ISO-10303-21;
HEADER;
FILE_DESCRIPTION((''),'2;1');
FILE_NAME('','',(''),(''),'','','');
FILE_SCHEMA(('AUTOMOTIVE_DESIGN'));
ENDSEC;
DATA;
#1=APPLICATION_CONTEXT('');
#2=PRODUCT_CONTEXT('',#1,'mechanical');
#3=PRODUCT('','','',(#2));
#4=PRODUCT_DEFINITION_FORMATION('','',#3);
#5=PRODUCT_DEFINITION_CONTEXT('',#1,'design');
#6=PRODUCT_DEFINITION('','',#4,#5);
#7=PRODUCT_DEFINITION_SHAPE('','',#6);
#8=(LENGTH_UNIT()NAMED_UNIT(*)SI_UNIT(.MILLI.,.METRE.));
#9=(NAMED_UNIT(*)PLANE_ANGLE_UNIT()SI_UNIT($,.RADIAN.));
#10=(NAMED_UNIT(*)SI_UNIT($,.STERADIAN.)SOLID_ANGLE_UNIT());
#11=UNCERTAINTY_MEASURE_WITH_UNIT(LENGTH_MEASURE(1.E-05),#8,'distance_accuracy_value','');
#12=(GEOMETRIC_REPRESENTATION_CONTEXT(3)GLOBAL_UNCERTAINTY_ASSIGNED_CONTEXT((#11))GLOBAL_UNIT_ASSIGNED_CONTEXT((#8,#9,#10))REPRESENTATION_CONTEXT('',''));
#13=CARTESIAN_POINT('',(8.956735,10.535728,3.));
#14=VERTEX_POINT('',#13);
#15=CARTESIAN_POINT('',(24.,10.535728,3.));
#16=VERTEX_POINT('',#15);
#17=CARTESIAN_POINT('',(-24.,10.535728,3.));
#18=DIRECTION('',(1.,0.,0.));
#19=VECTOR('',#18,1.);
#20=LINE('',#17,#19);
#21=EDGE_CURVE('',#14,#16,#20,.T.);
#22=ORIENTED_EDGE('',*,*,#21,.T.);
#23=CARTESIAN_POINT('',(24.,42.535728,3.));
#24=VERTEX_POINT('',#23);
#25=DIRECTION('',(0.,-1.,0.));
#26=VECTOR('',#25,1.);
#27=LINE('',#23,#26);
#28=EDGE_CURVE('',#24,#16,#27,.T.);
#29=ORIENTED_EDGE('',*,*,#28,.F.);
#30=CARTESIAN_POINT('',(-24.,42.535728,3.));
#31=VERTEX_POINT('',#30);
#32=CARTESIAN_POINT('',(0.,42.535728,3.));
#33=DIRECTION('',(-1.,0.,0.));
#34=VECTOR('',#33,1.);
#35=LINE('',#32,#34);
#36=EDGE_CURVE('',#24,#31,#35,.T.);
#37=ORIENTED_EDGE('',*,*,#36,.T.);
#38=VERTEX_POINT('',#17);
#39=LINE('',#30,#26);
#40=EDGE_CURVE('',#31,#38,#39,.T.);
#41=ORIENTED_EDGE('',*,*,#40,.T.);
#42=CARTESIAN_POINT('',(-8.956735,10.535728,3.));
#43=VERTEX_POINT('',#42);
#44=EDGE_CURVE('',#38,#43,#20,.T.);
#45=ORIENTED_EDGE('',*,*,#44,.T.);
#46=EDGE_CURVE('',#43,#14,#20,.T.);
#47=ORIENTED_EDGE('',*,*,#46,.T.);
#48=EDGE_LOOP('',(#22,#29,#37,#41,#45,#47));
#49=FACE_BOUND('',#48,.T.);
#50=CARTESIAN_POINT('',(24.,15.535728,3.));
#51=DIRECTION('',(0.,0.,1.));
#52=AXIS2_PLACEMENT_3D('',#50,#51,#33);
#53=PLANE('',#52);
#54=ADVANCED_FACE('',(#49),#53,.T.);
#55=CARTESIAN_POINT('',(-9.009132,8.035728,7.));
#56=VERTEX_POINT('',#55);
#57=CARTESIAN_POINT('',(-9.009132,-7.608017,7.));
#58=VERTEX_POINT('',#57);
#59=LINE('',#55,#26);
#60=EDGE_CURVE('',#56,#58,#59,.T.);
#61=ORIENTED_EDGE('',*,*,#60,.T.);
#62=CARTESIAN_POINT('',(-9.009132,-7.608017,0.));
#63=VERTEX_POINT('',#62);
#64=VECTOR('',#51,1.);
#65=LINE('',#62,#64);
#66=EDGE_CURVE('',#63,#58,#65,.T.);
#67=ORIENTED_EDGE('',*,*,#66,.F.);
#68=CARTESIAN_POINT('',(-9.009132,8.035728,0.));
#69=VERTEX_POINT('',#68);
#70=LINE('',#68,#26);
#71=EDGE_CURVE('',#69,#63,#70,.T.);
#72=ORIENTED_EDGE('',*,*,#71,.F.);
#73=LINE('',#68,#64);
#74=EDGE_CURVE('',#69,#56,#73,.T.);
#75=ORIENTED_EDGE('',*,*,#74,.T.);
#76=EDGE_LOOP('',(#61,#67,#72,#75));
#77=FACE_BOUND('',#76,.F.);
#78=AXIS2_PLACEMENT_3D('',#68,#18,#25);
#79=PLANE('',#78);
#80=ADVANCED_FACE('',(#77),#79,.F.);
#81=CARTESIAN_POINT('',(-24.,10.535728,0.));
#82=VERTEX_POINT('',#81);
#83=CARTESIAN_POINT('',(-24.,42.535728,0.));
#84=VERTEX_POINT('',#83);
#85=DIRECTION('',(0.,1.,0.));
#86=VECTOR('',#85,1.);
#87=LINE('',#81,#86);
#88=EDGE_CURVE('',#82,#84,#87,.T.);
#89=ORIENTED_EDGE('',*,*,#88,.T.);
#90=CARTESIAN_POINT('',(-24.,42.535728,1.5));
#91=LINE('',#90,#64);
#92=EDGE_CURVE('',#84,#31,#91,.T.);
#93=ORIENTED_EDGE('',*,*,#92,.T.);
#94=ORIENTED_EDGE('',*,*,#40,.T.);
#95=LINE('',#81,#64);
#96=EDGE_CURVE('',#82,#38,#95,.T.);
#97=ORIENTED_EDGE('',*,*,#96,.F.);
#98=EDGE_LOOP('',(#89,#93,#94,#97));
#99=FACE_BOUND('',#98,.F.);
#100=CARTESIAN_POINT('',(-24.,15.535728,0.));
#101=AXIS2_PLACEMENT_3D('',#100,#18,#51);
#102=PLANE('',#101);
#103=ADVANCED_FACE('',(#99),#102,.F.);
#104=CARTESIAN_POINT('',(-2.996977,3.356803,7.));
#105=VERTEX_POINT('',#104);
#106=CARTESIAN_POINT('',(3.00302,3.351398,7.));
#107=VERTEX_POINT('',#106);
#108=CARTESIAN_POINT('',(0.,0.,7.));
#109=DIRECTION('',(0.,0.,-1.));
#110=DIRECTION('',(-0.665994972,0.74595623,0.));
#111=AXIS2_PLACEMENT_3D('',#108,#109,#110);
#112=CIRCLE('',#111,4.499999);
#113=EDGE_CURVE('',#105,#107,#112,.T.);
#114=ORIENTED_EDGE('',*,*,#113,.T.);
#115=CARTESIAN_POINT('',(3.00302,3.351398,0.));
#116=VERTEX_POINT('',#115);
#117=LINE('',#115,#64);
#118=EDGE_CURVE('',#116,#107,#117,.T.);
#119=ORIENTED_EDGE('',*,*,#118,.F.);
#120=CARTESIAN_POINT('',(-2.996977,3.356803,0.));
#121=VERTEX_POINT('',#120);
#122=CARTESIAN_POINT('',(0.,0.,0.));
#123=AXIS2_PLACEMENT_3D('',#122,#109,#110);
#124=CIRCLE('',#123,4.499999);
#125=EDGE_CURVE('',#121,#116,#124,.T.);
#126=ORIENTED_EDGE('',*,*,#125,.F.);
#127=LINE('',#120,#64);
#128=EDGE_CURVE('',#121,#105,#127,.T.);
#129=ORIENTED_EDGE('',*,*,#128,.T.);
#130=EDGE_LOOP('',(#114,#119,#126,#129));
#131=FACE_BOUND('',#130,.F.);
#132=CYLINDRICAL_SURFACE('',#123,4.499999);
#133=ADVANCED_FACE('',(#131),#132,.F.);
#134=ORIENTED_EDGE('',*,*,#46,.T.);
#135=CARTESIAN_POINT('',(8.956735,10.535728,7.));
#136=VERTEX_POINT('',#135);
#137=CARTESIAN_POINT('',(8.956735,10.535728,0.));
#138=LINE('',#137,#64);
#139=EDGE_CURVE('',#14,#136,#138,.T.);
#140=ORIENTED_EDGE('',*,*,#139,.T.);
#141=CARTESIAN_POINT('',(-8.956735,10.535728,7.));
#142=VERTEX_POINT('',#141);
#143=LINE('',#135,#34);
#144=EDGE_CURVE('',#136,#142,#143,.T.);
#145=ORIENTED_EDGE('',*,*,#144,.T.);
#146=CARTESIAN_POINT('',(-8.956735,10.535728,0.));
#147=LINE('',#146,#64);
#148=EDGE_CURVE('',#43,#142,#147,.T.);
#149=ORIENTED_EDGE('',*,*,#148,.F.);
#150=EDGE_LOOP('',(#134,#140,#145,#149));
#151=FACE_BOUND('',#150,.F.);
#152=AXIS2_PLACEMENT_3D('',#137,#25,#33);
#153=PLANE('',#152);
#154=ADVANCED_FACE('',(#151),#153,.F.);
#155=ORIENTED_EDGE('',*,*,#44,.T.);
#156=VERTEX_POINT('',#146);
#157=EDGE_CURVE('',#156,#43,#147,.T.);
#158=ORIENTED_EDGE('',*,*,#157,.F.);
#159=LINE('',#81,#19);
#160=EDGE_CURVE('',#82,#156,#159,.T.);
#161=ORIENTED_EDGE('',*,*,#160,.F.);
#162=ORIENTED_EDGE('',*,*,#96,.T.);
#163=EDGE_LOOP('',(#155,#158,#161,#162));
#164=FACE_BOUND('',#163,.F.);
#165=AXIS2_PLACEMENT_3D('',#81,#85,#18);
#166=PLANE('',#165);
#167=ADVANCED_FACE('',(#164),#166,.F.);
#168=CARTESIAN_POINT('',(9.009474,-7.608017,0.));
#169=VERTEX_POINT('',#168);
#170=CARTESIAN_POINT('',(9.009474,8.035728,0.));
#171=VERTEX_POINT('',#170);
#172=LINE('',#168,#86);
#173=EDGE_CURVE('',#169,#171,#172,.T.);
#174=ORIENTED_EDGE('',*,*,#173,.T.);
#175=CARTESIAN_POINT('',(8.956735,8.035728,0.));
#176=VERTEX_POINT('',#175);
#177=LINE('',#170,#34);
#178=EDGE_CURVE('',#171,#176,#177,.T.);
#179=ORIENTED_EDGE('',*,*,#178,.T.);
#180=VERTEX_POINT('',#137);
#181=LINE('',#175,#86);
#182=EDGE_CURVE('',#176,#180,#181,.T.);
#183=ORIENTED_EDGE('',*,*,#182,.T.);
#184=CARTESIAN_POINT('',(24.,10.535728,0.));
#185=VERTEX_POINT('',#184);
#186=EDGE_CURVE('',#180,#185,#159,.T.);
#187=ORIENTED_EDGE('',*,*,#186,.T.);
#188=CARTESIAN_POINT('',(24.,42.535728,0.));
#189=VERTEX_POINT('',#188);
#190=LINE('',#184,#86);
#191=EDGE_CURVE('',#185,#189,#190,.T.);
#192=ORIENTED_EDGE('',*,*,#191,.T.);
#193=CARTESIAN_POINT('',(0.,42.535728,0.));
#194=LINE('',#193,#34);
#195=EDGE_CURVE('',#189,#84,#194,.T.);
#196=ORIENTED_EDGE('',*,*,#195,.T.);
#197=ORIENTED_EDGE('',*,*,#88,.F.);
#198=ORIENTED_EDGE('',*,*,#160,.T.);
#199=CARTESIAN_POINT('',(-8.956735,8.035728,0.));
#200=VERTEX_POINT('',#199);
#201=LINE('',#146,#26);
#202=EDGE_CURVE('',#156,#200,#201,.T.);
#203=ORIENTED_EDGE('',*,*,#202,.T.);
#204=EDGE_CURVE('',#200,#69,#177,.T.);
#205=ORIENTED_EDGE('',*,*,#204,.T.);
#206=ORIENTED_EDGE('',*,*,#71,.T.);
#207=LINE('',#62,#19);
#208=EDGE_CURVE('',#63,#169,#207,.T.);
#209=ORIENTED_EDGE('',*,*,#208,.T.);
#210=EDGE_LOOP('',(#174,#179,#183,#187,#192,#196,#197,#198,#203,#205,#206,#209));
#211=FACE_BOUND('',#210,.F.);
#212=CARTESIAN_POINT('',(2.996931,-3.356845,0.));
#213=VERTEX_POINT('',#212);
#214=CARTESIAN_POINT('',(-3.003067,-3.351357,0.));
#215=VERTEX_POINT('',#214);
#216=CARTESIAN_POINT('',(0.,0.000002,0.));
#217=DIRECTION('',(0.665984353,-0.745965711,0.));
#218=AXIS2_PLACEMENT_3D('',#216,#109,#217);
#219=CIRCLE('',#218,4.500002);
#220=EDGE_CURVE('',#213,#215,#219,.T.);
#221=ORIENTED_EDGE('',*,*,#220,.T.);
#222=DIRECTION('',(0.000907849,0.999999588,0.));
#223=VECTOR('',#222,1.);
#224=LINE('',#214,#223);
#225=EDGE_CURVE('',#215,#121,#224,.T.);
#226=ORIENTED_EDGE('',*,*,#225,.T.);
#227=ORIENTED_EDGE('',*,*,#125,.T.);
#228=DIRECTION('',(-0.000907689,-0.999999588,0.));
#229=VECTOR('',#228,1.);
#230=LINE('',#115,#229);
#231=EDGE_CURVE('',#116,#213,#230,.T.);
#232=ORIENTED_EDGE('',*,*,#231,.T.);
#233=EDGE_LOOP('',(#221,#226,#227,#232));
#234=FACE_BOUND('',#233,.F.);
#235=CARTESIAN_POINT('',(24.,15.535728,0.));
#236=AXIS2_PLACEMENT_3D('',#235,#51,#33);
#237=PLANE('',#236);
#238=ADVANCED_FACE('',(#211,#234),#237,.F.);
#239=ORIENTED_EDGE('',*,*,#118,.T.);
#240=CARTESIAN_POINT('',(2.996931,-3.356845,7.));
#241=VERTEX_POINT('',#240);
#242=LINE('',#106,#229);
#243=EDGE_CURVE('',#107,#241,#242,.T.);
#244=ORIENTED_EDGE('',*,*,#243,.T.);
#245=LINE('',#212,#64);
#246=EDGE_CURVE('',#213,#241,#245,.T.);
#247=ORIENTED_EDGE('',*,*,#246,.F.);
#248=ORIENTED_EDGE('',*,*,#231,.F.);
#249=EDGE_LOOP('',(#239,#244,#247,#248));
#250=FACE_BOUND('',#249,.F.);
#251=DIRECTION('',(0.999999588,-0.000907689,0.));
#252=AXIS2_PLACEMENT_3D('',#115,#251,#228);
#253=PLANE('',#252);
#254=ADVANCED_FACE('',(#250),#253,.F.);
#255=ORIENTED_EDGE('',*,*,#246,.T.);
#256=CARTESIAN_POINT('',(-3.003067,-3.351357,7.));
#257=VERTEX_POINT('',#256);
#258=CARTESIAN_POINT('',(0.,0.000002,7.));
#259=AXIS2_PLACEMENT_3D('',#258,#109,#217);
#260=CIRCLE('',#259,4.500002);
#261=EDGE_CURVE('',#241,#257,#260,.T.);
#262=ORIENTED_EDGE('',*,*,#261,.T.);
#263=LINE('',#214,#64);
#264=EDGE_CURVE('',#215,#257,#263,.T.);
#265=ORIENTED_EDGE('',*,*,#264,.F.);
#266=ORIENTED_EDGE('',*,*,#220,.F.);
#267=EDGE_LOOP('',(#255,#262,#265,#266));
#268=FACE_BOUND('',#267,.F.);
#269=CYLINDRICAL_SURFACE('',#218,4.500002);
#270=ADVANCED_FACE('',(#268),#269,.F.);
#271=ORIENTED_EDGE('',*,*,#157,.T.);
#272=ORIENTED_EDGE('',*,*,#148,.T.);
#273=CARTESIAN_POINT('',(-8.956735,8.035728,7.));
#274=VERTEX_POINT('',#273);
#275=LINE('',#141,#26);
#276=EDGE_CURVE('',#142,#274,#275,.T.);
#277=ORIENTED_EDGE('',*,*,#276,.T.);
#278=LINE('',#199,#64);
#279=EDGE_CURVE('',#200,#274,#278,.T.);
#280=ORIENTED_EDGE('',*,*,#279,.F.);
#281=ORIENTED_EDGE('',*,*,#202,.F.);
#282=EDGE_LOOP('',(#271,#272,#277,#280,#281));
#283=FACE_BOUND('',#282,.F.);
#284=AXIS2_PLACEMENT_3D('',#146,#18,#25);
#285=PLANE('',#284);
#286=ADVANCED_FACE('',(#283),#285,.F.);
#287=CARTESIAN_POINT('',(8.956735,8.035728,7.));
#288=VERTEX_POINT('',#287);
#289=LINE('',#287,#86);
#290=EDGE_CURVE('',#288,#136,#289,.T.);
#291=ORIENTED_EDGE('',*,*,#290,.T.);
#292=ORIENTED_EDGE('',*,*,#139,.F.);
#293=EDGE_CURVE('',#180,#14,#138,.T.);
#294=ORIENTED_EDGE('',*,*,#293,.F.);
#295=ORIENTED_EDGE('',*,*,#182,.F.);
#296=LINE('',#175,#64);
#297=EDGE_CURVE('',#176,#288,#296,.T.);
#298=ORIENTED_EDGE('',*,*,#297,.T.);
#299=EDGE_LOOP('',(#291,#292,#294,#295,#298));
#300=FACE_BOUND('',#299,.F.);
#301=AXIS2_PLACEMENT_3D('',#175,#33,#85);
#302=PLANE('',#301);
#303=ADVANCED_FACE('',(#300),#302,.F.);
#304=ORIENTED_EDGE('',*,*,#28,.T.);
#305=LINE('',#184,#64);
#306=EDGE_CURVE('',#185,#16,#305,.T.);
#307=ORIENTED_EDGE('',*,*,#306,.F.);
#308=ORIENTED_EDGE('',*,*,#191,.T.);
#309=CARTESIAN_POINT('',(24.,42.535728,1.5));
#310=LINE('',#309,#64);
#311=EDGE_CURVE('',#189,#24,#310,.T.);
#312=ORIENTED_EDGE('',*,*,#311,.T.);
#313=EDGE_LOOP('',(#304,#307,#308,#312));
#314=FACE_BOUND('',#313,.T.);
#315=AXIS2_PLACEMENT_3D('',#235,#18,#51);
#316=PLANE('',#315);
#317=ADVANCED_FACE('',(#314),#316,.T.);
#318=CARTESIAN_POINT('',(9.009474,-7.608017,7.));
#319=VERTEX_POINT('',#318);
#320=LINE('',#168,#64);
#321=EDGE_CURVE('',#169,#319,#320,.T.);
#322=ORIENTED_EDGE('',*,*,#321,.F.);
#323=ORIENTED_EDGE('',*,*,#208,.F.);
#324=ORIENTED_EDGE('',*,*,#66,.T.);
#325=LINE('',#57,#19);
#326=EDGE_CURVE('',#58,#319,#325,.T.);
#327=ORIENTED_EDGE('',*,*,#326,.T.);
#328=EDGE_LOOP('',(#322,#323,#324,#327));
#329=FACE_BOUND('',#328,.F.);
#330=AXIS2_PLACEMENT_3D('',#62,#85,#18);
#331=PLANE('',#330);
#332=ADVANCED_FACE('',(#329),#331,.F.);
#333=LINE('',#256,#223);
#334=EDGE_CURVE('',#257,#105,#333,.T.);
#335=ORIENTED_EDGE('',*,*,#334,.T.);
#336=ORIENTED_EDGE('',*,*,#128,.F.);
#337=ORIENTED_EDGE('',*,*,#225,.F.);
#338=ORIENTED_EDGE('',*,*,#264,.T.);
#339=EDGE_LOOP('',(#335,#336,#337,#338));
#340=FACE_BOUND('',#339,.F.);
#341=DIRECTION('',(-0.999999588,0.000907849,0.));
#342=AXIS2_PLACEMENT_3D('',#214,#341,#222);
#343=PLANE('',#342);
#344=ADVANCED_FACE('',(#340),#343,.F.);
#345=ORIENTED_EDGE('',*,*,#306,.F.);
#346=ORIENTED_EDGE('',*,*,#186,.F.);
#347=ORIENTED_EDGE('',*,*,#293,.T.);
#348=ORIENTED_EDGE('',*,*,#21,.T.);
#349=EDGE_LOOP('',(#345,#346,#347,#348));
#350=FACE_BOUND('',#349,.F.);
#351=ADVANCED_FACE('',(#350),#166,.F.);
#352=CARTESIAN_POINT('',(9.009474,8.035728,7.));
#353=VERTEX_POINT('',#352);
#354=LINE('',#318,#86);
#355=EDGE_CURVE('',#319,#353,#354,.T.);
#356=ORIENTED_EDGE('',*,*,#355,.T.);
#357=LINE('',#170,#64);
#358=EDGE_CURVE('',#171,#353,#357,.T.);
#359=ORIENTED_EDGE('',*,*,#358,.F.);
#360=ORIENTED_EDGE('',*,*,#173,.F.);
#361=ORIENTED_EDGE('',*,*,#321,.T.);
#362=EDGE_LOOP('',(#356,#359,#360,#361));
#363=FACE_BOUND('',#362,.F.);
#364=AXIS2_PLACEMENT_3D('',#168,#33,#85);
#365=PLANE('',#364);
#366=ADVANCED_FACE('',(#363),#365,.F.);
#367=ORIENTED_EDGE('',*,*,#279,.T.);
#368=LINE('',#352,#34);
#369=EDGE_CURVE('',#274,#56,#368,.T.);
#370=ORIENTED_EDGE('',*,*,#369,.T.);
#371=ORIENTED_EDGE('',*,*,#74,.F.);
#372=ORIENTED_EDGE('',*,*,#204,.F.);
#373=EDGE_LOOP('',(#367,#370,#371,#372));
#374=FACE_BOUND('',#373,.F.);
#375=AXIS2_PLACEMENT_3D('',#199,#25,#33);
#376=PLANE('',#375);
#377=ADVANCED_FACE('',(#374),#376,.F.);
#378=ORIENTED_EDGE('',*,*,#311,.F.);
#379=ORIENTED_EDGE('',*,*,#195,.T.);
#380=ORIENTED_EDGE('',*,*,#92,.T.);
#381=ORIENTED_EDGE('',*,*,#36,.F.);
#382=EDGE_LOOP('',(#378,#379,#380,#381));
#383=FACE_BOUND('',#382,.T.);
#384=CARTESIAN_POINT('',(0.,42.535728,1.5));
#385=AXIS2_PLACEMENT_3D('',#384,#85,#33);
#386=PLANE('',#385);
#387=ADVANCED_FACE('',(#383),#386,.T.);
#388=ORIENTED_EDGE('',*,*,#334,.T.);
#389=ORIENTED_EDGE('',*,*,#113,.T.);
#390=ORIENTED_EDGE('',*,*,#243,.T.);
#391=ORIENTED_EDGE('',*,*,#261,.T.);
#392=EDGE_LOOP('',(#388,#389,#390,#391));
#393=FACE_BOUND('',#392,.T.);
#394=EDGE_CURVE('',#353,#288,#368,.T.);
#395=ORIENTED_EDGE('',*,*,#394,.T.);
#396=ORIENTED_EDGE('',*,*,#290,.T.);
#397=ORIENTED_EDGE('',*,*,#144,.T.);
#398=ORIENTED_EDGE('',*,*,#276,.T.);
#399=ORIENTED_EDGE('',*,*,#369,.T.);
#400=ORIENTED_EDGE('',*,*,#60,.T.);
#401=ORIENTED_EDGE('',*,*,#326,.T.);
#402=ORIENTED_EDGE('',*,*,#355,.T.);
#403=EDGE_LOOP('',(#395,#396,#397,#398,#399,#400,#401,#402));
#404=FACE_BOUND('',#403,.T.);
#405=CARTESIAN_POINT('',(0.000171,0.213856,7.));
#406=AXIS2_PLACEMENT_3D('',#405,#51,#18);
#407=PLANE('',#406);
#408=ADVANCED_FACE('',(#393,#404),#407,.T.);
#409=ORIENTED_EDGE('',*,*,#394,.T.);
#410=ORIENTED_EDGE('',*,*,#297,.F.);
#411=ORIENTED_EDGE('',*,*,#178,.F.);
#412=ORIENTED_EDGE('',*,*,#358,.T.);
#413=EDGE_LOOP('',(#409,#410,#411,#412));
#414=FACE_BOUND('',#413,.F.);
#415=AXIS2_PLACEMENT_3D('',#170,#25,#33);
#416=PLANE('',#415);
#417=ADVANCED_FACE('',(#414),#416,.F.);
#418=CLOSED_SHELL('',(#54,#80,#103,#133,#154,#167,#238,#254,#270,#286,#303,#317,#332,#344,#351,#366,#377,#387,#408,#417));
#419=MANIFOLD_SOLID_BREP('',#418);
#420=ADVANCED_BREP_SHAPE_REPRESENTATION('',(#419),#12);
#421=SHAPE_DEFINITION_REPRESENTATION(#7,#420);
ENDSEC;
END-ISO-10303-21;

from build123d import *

# Parameters (mm, degrees)
F1_DEPTH = 7
F2_DEPTH = 3
F3_W     = 48
F3_H     = 3
F4_DEPTH = 27


with BuildPart() as f1:
    # F0 (on Top) → F1 (new body)
    with BuildSketch(Plane.XY):
        Polygon((0.000171, 8.035728), (-6.356564, 8.035728), (-8.956735, 8.035728), (-9.009132, 8.035728), (-9.009132, -7.608017), (9.009474, -7.608017), (9.009474, 8.035728), (8.956735, 8.035728), (6.356564, 8.035728), align=None)
        with BuildLine():
            Line((3.00302, 3.351398), (2.996931, -3.356845))
            ThreePointArc((2.996931, -3.356845), (-0.004116, -4.499998), (-3.003067, -3.351357))
            Line((-3.003067, -3.351357), (-2.996977, 3.356803))
            ThreePointArc((-2.996977, 3.356803), (0.004054, 4.499998), (3.00302, 3.351398))
        make_face(mode=Mode.SUBTRACT)
        Polygon((-8.956735, 8.035728), (-6.356564, 8.035728), (0.000171, 8.035728), (6.356564, 8.035728), (8.956735, 8.035728), (8.956735, 10.535728), (0, 10.535728), (-8.956735, 10.535728), align=None)
    extrude(amount=F1_DEPTH)

    # F0 (on Top) → F2 (join)
    with BuildSketch(Plane.XY):
        Polygon((-24, 10.535728), (-8.956735, 10.535728), (0, 10.535728), (8.956735, 10.535728), (24, 10.535728), (24, 15.535728), (0, 15.535728), (-24, 15.535728), align=None)
    extrude(amount=F2_DEPTH)

    # F3 (on face) → F4 (join)
    with BuildSketch(Plane(origin=(0, 15.535728, 0), x_dir=(-1, 0, 0), z_dir=(0, 1, 0))):
        with Locations((0, 1.5)):
            Rectangle(F3_W, F3_H)
    extrude(amount=F4_DEPTH)


solid = f1.part
